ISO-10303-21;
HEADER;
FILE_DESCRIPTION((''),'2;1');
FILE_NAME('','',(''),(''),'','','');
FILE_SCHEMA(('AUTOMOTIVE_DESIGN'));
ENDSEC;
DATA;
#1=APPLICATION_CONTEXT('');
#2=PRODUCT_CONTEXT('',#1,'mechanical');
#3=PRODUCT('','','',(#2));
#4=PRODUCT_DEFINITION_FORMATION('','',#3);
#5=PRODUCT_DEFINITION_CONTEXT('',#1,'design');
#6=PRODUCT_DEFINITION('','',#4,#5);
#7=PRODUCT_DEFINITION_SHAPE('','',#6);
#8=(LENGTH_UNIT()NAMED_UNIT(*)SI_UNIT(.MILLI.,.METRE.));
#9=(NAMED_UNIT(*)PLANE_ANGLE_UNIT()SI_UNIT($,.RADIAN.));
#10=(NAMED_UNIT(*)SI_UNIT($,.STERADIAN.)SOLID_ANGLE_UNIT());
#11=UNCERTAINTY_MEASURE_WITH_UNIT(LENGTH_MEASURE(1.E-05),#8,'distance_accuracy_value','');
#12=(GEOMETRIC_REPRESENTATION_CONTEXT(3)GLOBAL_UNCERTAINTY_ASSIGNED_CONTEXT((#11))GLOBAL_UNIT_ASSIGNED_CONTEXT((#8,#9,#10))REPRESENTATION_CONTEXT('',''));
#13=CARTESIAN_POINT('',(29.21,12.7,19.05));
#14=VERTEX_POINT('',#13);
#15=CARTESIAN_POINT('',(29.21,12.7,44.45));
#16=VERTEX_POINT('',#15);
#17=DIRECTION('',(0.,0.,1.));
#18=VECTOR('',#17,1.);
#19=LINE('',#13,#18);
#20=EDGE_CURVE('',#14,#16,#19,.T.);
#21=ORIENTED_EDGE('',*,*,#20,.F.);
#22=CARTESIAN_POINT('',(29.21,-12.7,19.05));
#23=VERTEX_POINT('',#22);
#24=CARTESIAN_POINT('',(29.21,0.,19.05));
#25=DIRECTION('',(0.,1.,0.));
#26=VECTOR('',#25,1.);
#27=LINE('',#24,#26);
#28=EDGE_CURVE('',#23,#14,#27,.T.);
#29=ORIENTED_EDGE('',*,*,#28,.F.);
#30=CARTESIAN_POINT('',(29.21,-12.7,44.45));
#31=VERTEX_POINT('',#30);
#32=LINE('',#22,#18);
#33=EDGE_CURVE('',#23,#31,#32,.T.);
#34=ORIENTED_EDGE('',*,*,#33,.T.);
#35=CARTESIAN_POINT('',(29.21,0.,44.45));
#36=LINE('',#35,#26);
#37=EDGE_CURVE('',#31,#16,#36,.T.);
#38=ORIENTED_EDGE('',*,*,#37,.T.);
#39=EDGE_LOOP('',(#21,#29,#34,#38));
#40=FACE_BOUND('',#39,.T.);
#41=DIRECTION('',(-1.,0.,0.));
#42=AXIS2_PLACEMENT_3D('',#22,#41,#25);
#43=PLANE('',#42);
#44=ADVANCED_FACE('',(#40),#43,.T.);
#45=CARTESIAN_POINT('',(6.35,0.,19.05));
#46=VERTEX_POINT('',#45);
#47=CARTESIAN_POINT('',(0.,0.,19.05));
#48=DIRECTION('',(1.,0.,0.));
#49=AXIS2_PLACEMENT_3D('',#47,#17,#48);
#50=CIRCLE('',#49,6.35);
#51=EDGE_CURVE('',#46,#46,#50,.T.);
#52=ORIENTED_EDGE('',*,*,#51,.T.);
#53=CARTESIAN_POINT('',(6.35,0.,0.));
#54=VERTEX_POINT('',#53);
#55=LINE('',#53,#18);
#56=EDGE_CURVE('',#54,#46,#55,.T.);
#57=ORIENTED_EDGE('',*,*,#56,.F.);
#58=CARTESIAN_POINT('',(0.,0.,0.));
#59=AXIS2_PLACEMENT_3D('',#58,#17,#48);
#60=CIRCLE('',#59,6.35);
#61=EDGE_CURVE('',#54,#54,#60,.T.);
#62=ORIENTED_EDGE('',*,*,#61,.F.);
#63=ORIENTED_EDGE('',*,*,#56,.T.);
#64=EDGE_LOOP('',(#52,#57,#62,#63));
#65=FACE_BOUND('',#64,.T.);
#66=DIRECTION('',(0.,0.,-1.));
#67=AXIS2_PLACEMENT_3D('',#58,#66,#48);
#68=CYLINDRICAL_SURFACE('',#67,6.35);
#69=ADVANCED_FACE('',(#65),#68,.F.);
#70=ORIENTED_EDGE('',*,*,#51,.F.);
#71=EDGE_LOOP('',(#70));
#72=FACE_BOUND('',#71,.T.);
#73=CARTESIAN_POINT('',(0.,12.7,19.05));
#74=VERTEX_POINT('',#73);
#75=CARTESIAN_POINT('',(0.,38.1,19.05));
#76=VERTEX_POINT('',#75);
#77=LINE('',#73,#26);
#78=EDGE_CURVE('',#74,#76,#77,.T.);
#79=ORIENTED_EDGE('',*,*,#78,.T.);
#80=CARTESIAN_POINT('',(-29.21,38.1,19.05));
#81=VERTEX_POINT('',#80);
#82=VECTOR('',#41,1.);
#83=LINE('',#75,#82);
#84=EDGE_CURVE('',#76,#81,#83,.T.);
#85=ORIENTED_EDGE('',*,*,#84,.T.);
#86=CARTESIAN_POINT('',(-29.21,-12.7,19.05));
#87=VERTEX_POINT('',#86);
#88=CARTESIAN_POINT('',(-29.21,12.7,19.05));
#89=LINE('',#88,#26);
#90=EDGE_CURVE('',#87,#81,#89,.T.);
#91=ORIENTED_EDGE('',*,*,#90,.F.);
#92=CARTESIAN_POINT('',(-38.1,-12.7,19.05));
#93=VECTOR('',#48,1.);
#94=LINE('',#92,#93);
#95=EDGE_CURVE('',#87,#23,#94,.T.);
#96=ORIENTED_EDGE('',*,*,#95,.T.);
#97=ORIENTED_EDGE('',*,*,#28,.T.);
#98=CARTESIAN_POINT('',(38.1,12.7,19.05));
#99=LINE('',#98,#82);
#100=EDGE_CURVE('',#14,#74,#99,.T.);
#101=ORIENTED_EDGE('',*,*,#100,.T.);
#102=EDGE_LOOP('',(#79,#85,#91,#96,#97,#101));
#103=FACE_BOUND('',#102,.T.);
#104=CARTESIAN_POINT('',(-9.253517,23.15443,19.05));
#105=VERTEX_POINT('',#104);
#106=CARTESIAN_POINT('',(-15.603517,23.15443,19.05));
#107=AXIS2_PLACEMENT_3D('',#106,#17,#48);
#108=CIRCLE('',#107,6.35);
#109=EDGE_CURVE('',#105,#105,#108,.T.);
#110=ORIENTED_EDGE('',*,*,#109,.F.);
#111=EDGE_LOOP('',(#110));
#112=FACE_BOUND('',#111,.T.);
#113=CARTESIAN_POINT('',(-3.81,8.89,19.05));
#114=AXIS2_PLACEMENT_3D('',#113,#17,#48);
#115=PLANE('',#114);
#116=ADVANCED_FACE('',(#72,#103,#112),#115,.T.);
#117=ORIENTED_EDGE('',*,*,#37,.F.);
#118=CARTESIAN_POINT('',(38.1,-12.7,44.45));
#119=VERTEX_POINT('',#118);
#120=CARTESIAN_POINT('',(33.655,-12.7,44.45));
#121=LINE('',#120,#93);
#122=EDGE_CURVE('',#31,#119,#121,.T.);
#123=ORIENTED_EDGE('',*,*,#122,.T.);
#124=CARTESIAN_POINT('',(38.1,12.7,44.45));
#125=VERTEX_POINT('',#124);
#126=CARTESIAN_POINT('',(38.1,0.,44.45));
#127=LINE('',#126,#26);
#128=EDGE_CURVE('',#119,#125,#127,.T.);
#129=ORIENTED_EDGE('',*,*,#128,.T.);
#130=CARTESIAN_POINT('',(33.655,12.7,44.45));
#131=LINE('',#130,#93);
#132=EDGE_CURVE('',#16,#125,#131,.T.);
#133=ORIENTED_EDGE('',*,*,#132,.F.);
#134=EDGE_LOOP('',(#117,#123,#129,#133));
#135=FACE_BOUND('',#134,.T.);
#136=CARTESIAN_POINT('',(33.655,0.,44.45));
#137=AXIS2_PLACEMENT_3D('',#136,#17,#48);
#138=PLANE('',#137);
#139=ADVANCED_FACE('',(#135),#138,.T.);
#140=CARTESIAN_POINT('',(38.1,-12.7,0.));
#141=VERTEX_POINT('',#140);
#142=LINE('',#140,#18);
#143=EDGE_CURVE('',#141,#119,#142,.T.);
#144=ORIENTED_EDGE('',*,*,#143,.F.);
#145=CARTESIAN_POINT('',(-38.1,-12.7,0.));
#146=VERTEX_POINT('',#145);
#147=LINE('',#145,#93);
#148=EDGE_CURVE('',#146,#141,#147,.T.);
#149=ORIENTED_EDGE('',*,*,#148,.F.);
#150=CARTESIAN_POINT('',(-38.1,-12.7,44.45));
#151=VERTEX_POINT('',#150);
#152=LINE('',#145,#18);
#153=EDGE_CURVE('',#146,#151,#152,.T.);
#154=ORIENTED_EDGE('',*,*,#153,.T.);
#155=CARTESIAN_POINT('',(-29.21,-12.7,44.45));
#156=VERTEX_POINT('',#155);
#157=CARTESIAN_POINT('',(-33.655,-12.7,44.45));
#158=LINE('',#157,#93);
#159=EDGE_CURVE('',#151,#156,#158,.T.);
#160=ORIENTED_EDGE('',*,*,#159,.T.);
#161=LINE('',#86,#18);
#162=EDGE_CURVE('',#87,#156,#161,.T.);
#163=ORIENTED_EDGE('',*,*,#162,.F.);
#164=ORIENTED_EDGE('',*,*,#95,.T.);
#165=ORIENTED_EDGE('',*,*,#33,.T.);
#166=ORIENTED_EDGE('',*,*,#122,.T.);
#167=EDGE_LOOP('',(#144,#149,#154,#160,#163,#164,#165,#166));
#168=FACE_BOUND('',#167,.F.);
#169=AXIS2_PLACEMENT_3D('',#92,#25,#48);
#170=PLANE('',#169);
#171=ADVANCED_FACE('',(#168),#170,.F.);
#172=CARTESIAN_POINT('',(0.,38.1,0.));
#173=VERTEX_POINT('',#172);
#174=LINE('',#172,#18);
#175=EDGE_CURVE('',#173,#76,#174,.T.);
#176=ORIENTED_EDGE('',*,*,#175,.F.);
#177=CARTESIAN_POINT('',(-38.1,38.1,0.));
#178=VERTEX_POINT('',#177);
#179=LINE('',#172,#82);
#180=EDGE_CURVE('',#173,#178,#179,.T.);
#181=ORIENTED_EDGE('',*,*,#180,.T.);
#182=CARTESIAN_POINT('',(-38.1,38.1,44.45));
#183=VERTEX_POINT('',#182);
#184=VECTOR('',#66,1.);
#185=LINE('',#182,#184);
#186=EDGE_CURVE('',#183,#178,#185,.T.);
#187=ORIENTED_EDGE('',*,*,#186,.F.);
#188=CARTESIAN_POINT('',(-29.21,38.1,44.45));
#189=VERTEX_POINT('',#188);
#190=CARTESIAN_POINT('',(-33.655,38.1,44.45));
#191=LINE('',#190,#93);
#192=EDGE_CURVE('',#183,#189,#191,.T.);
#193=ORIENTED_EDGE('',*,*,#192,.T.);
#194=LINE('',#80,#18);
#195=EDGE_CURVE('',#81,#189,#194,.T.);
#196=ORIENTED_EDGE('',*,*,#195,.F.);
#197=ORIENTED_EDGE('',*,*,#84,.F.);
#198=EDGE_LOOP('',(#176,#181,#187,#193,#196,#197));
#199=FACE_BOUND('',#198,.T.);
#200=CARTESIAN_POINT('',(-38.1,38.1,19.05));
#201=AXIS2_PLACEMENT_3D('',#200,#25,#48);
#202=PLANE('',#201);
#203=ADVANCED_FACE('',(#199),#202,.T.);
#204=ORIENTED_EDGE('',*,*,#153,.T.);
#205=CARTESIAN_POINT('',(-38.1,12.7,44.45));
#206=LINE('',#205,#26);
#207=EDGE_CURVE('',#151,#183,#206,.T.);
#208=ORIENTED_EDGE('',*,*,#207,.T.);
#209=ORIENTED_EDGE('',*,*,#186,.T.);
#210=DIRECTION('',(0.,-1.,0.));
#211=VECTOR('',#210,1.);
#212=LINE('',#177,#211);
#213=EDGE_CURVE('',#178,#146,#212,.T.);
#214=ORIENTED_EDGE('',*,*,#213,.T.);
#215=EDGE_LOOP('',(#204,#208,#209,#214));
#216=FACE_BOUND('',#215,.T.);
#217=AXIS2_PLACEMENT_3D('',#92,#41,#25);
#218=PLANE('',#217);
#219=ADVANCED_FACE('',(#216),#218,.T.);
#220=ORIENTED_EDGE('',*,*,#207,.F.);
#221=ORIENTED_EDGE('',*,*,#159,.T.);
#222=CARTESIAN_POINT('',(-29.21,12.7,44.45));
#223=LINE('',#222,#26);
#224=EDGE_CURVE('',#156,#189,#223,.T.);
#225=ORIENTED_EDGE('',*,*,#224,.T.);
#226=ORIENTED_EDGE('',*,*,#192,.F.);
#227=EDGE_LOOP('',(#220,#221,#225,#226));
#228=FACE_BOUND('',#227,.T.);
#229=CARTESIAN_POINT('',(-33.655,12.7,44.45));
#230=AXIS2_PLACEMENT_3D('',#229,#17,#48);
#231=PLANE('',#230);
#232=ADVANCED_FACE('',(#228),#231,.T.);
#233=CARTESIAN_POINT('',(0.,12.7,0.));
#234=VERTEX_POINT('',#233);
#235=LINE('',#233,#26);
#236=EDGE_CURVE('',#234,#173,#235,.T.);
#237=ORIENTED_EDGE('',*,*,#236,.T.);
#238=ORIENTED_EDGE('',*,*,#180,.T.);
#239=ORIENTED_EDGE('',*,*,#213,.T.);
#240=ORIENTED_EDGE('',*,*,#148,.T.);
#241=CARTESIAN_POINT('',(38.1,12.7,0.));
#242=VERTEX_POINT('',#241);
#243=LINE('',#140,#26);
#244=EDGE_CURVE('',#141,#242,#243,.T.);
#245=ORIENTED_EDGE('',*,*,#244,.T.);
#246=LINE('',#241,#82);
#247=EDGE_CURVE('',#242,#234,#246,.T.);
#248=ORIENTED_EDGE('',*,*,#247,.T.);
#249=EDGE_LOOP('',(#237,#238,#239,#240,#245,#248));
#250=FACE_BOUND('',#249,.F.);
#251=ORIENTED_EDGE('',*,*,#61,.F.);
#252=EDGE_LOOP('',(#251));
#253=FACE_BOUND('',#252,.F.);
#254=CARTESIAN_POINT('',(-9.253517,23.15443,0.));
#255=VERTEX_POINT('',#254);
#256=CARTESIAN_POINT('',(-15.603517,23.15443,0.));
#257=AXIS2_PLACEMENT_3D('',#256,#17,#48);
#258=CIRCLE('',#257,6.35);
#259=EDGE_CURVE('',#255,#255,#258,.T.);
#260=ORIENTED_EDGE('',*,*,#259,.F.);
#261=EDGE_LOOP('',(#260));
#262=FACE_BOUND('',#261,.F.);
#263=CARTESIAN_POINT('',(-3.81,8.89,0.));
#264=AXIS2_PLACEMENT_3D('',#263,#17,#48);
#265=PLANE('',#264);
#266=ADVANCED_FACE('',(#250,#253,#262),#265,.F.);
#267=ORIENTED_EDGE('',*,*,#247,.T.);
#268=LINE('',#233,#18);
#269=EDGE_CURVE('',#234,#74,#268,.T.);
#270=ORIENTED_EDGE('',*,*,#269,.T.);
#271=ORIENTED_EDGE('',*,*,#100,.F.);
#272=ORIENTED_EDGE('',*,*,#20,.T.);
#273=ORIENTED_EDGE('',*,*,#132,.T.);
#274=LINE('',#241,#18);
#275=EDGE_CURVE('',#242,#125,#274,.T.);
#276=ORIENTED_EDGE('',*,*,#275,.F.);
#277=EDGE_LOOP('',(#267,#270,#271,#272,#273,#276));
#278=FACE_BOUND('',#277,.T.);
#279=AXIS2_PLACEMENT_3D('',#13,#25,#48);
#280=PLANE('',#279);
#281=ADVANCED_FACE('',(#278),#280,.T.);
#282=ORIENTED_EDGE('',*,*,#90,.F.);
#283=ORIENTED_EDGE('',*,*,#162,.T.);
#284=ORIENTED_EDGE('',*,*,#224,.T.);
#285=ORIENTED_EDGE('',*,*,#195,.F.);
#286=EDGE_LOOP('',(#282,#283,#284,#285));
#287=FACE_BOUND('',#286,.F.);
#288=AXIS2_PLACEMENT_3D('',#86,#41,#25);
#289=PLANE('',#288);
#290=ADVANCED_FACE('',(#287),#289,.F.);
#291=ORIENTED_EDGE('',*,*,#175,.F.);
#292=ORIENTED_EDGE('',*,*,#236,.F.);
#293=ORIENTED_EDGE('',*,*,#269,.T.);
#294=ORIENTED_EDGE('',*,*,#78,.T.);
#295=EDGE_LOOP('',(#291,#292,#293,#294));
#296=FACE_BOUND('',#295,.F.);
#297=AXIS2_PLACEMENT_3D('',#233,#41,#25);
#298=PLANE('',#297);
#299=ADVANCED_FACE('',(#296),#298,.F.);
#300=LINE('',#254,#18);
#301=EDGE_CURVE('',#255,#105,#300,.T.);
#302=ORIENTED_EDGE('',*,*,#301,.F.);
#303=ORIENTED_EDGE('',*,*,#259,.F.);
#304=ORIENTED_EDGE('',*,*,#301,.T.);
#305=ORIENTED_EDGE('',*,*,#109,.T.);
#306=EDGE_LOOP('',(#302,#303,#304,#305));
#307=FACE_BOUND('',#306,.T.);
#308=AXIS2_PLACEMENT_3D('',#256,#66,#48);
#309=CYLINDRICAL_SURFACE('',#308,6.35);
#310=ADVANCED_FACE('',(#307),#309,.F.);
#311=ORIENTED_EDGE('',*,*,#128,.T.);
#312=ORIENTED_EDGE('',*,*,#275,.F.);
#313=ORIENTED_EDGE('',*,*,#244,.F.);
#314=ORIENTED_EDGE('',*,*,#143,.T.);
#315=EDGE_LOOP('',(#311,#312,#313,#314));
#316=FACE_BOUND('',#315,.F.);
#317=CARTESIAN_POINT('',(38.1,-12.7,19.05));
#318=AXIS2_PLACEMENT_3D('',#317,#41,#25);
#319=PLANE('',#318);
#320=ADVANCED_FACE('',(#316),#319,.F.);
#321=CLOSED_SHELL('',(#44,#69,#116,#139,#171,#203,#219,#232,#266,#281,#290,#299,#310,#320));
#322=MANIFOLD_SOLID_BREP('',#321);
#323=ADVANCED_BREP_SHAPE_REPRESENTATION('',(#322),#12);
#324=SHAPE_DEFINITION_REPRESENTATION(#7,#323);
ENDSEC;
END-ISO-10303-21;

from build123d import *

# Parameters (mm, degrees)
F0_R     = 6.35
F1_DEPTH = 19.05
F2_W     = 8.89
F2_H     = 25.4
F3_DEPTH = 25.4
F2_H_2   = 50.8
F4_DEPTH = 25.4


with BuildPart() as f1:
    # F0 (on Top) → F1 (new body)
    with BuildSketch(Plane.XY):
        Polygon((38.1, -12.7), (38.1, 12.7), (0, 12.7), (0, 38.1), (-38.1, 38.1), (-38.1, 12.7), (-38.1, -12.7), align=None)
        Circle(F0_R, mode=Mode.SUBTRACT)
        with Locations((-15.603517, 23.15443)):
            Circle(F0_R, mode=Mode.SUBTRACT)
    extrude(amount=F1_DEPTH)

    # F2 (on face) → F3 (join)
    with BuildSketch(Plane.XY.offset(19.05)):
        with Locations((33.655, 0)):
            Rectangle(F2_W, F2_H)
    extrude(amount=F3_DEPTH)

    # F2 (on face) → F4 (join)
    with BuildSketch(Plane.XY.offset(19.05)):
        with Locations((-33.655, 12.7)):
            Rectangle(F2_W, F2_H_2)
        with Locations((33.655, 0)):
            Rectangle(F2_W, F2_H)
    extrude(amount=F4_DEPTH)


solid = f1.part
